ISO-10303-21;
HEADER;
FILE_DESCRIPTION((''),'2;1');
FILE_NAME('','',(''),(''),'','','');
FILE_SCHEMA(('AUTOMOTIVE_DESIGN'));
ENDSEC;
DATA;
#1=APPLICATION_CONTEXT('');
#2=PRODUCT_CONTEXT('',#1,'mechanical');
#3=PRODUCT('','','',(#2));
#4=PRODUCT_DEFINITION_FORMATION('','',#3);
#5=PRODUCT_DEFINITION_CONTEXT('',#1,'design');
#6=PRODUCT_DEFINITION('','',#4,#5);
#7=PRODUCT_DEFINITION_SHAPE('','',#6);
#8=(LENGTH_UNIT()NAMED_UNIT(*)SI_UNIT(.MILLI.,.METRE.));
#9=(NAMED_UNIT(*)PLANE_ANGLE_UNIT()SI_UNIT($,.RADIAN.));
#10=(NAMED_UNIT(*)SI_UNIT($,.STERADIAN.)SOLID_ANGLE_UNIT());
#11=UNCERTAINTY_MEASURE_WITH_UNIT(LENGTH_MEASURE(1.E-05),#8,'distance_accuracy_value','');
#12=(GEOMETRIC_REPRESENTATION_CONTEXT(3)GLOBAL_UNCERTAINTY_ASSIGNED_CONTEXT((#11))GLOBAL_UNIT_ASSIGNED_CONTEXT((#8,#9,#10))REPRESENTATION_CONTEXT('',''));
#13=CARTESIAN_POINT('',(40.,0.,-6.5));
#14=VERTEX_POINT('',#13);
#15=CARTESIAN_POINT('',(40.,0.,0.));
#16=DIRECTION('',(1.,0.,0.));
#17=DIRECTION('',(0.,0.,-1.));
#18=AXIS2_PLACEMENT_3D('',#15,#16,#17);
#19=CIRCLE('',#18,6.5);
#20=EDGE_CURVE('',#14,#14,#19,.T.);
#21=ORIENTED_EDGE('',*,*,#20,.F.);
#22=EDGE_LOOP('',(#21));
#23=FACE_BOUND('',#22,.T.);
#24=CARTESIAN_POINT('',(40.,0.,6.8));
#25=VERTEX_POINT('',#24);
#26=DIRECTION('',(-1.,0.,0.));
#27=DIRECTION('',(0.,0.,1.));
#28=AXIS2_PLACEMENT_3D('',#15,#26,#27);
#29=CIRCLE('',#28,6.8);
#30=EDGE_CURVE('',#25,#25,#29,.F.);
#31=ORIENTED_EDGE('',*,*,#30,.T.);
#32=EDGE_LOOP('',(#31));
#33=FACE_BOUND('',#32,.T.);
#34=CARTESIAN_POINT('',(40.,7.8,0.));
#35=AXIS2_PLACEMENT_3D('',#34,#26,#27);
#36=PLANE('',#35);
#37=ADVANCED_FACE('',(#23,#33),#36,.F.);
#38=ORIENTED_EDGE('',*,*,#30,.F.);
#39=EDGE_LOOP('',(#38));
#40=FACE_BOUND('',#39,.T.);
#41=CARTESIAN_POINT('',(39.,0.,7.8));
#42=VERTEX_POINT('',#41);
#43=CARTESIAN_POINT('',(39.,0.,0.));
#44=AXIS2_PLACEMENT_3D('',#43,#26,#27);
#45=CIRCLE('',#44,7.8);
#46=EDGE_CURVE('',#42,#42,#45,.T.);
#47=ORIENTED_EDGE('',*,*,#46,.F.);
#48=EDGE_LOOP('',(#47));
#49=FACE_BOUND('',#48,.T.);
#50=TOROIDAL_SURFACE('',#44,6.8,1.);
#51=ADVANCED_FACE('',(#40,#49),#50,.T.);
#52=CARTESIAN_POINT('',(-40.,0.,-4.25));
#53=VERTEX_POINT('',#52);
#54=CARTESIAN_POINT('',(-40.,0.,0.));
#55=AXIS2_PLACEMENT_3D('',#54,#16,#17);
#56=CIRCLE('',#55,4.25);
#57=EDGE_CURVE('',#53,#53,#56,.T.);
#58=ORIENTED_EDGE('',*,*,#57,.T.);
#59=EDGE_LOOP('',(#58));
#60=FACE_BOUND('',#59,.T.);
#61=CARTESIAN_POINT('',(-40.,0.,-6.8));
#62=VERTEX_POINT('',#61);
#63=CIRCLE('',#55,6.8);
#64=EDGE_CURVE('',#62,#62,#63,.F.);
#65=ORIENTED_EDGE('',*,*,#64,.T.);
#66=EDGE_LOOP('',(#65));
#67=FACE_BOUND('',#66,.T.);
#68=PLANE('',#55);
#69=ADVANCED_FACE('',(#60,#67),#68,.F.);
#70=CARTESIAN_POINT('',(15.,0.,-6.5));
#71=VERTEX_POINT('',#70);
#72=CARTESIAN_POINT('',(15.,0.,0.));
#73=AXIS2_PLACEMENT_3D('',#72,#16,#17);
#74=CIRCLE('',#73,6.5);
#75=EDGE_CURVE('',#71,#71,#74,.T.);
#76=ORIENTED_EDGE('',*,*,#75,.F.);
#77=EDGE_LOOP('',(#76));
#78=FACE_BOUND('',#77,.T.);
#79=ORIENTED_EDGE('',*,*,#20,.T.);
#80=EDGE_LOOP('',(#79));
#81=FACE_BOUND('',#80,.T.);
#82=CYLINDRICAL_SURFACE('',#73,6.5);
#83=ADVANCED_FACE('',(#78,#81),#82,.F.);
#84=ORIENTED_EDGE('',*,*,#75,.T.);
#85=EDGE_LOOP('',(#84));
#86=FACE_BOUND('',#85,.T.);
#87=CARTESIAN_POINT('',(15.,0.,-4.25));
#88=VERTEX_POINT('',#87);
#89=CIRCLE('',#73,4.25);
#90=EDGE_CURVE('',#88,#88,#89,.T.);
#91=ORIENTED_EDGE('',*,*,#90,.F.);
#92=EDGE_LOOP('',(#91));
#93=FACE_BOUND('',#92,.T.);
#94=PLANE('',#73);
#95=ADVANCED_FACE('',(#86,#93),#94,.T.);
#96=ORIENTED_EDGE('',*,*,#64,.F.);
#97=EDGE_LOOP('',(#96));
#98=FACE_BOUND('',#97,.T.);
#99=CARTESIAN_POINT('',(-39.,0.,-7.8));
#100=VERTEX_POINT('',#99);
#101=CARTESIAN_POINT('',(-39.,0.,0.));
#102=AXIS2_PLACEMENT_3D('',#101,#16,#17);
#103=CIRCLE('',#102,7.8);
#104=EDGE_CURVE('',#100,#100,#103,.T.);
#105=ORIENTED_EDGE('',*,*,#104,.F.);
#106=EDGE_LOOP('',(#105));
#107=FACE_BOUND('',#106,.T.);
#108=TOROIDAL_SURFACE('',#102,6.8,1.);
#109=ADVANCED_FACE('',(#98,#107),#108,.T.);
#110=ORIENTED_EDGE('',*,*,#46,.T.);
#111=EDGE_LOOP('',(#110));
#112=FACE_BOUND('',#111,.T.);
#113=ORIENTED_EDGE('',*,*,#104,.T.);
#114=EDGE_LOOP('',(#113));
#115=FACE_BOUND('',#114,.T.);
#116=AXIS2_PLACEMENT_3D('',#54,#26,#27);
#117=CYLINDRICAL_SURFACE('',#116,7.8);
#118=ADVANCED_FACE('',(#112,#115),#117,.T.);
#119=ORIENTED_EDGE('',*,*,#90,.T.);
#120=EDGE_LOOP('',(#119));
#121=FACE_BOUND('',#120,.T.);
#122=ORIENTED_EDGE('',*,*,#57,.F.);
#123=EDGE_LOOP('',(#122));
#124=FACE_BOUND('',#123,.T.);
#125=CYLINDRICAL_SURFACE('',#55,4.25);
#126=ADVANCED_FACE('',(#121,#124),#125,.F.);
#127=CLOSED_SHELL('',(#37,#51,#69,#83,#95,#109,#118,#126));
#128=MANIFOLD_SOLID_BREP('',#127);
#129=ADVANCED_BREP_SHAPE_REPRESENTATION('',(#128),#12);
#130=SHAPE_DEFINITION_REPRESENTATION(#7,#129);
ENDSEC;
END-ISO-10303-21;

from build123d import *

# Parameters (mm, degrees)
ESBO_O1_W                  = 80
ESBO_O1_H                  = 7.8
ESBO_O2_R                  = 6.5
CORTE_EXTRUS_O1_DEPTH      = 25
CORTE_EXTRUS_O2_DEPTH      = 57.095276093
CORTE_EXTRUS_O2_DEPTH_BACK = 57.095276093
ESBO_O3_R                  = 4.25
FILETE1_R                  = 1


with BuildPart() as part:
    # Esboço1 → Revolução1 (revolve)
    with BuildSketch(Plane.XY, mode=Mode.PRIVATE) as revolu_o1_sk:
        with Locations((0, 3.9)):
            Rectangle(ESBO_O1_W, ESBO_O1_H)
    revolve(revolu_o1_sk.sketch.rotate(Axis((-40, 0, 0), (1, 0, 0)), 90), axis=Axis((-40, 0, 0), (1, 0, 0)))

    # Esboço2 → Corte-extrusão1 (cut)
    with BuildSketch(Plane(origin=(40, 0, 0), x_dir=(0, 0, -1), z_dir=(1, 0, 0))):
        Circle(ESBO_O2_R)
    extrude(amount=-CORTE_EXTRUS_O1_DEPTH, mode=Mode.SUBTRACT)

    # Esboço3 → Corte-extrusão2 (cut, two sides: drawn at the far end of the back side and taken through both)
    with BuildSketch(Plane(origin=(15, 0, 0), x_dir=(0, 0, -1), z_dir=(1, 0, 0)).offset(-CORTE_EXTRUS_O2_DEPTH_BACK)):
        Circle(ESBO_O3_R)
    extrude(amount=CORTE_EXTRUS_O2_DEPTH + CORTE_EXTRUS_O2_DEPTH_BACK, mode=Mode.SUBTRACT)

    # Filete1
    filete1_edges = [part.edges().sort_by_distance(p)[0] for p in [
        (-40, 0, -7.8),
        (40, 0, -7.8),
    ]]
    fillet(filete1_edges, radius=FILETE1_R)


solid = part.part
